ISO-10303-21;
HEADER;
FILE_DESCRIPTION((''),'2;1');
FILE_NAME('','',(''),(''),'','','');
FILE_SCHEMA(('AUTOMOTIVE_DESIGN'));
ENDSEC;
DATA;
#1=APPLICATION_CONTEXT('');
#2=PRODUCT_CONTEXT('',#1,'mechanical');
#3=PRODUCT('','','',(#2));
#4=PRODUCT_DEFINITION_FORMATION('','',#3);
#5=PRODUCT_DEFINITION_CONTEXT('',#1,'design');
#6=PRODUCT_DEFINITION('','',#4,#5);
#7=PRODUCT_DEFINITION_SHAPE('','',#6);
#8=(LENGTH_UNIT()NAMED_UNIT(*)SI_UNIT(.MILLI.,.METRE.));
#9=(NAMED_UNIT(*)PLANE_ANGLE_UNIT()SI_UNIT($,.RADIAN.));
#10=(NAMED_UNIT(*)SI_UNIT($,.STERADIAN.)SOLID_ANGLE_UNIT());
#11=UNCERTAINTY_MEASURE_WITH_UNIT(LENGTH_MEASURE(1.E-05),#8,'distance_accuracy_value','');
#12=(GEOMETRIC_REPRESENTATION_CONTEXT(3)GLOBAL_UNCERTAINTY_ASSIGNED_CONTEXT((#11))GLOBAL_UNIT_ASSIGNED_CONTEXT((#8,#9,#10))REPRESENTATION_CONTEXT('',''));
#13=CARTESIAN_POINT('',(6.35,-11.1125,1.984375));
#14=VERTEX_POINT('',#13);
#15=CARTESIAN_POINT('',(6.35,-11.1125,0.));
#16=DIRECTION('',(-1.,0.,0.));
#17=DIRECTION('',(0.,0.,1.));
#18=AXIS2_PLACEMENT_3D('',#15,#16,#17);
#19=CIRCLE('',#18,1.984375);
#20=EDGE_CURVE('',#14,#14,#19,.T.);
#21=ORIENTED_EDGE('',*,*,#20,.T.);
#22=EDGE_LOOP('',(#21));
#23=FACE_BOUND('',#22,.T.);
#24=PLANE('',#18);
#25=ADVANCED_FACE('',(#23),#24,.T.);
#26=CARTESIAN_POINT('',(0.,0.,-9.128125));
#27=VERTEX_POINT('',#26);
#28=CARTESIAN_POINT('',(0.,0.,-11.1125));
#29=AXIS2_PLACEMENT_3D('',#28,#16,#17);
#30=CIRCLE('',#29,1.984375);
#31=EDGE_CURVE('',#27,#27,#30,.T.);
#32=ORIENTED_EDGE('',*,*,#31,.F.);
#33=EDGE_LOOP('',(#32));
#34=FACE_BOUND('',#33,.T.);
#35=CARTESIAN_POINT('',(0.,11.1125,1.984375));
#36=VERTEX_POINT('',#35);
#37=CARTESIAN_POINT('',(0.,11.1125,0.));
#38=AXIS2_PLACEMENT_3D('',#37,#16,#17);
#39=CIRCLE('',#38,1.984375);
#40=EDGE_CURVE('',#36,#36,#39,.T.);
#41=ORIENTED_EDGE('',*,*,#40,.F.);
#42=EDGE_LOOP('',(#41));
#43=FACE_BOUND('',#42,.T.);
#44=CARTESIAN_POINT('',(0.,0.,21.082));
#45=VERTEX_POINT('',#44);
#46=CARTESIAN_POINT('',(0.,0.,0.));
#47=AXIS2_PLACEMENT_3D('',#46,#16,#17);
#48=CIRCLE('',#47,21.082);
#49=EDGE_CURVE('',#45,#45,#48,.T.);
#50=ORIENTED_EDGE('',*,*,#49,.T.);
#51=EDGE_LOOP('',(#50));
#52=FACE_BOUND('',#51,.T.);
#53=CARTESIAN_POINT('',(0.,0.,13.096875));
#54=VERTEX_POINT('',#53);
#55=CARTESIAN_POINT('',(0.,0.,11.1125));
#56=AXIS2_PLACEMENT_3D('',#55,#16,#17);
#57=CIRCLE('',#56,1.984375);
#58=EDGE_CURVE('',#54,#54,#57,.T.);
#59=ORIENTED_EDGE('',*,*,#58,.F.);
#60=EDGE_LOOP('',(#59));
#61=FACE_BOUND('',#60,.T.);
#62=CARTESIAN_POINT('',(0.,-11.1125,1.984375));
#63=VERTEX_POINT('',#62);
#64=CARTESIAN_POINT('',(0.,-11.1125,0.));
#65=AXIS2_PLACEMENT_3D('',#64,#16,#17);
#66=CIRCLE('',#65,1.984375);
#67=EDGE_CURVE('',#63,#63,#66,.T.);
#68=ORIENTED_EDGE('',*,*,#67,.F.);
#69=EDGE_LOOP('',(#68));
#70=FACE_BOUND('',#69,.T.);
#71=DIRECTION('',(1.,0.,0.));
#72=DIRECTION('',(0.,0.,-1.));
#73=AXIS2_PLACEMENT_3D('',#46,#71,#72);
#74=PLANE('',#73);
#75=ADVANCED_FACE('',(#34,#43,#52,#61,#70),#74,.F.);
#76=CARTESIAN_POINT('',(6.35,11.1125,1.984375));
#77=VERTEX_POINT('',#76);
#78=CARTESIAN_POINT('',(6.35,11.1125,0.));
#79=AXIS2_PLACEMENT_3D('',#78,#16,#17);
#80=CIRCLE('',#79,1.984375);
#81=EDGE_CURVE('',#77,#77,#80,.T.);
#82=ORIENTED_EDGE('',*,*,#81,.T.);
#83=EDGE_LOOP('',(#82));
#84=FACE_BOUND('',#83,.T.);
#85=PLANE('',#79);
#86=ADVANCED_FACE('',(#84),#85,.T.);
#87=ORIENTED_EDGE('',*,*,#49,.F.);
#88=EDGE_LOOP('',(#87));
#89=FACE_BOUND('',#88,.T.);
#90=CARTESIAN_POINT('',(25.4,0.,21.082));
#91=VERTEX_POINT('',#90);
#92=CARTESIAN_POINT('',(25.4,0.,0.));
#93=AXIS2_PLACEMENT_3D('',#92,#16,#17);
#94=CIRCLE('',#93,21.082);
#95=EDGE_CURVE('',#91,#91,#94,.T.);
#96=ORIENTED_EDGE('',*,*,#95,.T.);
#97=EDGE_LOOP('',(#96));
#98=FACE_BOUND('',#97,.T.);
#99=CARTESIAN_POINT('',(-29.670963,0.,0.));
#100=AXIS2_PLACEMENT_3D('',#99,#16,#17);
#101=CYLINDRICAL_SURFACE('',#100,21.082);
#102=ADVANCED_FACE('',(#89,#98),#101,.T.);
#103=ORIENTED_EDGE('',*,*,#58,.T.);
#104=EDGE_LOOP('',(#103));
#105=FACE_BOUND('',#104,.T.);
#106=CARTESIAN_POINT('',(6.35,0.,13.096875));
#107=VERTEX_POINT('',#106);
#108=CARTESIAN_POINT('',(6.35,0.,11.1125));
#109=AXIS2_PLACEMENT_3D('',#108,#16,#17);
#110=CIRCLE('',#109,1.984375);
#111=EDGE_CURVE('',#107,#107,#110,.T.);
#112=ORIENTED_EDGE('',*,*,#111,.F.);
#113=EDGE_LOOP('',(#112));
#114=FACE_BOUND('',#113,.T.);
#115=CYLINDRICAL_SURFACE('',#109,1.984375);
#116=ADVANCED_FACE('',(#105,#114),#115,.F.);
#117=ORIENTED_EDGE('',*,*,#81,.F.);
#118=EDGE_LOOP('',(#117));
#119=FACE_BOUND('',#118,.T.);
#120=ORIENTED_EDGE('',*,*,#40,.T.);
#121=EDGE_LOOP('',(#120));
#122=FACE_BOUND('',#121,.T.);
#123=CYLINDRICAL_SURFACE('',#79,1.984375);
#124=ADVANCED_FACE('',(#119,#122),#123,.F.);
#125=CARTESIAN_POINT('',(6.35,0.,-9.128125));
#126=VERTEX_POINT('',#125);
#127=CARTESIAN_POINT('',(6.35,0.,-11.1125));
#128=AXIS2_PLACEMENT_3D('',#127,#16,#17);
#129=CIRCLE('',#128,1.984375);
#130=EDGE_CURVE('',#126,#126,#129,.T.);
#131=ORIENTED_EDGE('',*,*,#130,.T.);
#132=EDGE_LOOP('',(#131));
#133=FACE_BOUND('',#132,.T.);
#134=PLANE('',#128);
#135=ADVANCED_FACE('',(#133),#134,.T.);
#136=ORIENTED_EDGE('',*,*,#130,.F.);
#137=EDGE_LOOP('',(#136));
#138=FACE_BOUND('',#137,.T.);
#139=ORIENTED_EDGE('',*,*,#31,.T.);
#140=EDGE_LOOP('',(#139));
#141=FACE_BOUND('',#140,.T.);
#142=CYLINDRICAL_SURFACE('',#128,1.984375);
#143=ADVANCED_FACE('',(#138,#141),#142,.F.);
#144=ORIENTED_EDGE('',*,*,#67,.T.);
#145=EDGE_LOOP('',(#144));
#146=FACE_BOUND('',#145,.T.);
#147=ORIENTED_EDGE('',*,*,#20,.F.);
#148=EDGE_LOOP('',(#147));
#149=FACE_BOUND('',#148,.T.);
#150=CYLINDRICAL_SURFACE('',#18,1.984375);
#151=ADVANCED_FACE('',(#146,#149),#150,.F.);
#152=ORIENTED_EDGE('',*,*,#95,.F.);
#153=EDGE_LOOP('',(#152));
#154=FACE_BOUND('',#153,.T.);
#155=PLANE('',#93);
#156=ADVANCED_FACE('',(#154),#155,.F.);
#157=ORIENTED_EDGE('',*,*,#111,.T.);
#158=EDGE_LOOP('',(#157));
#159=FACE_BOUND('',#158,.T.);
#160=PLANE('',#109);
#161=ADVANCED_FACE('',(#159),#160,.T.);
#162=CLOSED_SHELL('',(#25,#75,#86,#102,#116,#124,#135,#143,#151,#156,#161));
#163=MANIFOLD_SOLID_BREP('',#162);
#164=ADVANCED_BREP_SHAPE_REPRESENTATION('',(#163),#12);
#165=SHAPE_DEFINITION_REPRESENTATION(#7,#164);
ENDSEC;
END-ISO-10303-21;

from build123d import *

# Parameters (mm, degrees)
SKETCH1_W          = 25.4
SKETCH1_H          = 21.082
SKETCH2_R          = 1.984375
CUT_EXTRUDE1_DEPTH = 6.35


with BuildPart() as part:
    # Sketch1 → Revolve1 (revolve)
    with BuildSketch(Plane.XY):
        with Locations((12.7, 10.541)):
            Rectangle(SKETCH1_W, SKETCH1_H)
    revolve(axis=Axis((-29.670962963, 0, 0), (1, 0, 0)))

    # Sketch2 → Cut-Extrude1 (cut)
    with BuildSketch(Plane.ZY):
        with Locations((0, 11.1125)):
            Circle(SKETCH2_R)
        with Locations((11.1125, 0)):
            Circle(SKETCH2_R)
        with Locations((0, -11.1125)):
            Circle(SKETCH2_R)
        with Locations((-11.1125, 0)):
            Circle(SKETCH2_R)
    extrude(amount=-CUT_EXTRUDE1_DEPTH, mode=Mode.SUBTRACT)


solid = part.part
